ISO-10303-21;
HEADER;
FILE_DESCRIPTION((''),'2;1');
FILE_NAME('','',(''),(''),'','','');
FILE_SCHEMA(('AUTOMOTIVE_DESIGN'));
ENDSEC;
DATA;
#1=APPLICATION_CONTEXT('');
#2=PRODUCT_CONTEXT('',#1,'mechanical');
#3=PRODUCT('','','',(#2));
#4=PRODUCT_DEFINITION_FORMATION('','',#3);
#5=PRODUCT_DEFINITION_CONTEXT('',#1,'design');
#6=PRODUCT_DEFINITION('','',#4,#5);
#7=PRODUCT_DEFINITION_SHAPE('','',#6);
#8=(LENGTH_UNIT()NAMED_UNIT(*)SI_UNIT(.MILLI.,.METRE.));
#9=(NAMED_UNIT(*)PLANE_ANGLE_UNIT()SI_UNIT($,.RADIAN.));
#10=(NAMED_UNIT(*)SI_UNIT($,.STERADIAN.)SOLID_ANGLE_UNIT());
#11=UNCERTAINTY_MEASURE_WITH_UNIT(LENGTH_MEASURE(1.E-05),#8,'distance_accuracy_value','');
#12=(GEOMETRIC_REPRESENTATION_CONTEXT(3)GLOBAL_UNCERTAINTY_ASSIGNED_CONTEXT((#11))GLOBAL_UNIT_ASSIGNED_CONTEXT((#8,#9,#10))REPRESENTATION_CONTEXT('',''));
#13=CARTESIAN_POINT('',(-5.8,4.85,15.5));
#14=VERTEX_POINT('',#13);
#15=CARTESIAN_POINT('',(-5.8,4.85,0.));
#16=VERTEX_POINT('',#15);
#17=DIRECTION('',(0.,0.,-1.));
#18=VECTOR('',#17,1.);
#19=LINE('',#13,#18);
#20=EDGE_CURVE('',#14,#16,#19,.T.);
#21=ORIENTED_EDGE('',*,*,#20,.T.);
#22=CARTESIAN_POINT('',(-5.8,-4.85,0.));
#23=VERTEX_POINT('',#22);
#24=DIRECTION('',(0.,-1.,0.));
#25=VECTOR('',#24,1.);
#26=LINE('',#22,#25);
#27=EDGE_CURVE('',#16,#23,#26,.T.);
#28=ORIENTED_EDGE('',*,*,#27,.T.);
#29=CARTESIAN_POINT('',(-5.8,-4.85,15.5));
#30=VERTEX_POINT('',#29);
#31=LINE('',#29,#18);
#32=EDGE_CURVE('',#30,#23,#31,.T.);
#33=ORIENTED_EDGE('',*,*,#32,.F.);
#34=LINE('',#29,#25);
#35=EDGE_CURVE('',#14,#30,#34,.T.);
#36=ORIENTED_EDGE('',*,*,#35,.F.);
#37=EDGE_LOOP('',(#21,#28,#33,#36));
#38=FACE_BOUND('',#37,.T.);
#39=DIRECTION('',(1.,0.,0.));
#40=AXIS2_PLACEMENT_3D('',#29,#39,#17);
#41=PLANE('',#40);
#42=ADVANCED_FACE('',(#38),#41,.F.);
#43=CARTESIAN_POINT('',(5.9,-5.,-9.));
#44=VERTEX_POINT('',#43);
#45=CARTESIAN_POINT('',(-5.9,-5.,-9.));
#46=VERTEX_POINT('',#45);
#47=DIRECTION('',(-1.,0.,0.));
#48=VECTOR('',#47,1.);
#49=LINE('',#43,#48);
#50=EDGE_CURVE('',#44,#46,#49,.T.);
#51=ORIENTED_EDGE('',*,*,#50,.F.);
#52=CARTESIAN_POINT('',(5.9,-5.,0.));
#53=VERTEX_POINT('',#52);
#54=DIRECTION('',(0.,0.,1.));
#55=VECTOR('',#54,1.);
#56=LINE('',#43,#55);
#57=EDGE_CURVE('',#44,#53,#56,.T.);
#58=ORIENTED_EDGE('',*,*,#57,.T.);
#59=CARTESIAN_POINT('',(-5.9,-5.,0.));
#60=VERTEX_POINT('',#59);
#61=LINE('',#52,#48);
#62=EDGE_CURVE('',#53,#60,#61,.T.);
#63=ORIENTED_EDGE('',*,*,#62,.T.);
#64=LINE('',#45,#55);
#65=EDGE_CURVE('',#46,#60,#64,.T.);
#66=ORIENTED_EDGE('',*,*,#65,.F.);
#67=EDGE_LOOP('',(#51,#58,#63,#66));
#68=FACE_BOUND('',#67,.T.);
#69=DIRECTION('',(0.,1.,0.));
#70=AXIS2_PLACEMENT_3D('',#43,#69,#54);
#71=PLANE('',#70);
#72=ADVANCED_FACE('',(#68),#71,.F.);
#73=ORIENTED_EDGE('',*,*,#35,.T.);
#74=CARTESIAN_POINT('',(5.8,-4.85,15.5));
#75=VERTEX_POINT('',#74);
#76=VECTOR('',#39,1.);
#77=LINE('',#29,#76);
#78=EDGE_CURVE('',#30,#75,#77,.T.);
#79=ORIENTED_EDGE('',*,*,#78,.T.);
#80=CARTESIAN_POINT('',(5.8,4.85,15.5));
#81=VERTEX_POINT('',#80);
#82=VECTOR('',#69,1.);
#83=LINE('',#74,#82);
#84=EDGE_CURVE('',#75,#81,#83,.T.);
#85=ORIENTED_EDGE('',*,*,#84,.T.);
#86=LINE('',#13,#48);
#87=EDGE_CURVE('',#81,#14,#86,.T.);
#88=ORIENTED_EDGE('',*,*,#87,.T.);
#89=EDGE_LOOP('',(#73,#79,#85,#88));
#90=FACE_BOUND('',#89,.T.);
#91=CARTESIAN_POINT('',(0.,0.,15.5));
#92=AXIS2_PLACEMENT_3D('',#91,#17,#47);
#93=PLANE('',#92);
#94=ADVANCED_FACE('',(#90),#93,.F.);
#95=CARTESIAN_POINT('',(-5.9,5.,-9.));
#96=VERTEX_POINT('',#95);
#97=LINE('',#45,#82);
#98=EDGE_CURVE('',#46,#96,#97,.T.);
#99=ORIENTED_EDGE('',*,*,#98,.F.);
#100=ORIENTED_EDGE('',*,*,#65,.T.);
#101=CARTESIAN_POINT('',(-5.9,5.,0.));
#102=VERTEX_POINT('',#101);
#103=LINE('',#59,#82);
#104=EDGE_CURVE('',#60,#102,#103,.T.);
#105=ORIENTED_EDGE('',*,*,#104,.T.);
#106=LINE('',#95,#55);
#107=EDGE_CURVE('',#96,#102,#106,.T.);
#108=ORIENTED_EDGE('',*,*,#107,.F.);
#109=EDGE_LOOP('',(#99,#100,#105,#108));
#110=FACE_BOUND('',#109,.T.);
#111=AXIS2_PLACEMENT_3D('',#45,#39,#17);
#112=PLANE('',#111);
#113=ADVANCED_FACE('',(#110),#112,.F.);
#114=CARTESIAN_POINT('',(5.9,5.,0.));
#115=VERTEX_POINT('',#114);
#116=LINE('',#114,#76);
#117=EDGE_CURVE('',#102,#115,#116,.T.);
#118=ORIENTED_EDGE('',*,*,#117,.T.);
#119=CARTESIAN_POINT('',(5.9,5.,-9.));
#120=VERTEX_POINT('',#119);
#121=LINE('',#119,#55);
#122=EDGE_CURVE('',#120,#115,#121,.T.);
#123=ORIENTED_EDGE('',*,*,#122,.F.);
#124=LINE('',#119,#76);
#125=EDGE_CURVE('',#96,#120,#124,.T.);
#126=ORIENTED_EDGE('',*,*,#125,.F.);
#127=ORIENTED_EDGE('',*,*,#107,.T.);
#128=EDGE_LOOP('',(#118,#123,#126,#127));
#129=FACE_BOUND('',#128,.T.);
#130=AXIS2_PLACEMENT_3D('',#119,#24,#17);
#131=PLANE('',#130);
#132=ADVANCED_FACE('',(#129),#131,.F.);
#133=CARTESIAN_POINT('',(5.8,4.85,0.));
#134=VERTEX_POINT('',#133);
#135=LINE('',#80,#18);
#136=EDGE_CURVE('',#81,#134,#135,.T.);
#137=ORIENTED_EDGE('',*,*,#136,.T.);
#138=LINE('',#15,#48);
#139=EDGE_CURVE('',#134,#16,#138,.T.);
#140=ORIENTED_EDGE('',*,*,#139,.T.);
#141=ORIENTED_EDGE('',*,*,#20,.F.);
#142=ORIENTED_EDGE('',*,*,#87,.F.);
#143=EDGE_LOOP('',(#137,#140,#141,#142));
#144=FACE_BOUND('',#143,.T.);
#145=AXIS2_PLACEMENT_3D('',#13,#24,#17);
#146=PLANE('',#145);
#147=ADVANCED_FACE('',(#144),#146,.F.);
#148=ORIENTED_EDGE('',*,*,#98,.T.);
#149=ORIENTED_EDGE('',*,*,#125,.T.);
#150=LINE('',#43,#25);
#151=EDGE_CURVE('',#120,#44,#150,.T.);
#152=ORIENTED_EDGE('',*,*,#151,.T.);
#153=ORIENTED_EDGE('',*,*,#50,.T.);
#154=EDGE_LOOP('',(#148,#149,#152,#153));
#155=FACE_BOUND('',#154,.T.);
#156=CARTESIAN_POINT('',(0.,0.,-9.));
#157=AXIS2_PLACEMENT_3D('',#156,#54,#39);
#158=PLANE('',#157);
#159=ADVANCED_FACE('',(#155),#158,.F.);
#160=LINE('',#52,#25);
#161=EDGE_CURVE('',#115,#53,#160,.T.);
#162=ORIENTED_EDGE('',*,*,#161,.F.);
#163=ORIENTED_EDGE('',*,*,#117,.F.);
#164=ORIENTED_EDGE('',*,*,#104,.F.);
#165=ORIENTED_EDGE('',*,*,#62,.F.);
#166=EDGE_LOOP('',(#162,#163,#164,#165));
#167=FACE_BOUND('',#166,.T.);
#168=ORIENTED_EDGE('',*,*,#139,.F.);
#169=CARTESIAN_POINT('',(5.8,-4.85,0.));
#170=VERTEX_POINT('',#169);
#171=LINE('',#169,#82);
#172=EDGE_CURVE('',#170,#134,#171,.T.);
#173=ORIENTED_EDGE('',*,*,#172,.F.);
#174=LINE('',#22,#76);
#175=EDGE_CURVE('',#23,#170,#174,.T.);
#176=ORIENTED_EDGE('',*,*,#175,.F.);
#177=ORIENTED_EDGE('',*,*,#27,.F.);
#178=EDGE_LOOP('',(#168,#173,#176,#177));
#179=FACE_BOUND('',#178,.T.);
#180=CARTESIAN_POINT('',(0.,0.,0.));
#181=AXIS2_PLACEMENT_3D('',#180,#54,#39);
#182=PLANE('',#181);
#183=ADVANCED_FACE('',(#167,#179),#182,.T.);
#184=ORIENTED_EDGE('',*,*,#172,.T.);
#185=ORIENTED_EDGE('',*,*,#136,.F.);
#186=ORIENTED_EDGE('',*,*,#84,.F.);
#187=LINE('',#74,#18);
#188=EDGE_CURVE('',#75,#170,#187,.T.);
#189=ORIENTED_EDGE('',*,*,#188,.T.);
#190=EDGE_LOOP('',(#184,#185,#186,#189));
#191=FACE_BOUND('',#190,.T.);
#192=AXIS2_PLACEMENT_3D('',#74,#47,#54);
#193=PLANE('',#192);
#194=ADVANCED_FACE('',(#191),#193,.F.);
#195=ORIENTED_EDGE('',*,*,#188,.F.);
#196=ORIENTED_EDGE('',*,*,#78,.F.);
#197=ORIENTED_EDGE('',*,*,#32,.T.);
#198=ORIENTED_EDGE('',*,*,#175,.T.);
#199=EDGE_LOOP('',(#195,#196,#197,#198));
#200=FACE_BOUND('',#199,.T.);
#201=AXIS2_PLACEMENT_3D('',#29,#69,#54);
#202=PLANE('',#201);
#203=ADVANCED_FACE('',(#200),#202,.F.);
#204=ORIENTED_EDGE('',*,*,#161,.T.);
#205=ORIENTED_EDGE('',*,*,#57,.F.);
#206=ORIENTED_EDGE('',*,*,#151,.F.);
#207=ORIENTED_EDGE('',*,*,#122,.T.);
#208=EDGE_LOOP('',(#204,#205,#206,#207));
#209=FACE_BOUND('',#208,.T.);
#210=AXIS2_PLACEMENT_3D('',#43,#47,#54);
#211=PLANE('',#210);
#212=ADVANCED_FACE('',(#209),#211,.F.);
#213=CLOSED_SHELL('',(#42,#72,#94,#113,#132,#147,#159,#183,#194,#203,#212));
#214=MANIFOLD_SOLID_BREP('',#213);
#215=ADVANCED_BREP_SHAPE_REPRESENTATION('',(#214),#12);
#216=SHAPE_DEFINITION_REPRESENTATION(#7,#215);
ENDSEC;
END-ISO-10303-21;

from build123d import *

# Parameters (mm, degrees)
CROQUIS1_W              = 11.6
CROQUIS1_H              = 9.7
SALIENTE_EXTRUIR1_DEPTH = 15.5
CROQUIS2_W              = 11.8
CROQUIS2_H              = 10
SALIENTE_EXTRUIR2_DEPTH = 9


with BuildPart() as part:
    # Croquis1 → Saliente-Extruir1 (new body)
    with BuildSketch(Plane.XY):
        Rectangle(CROQUIS1_W, CROQUIS1_H)
    extrude(amount=SALIENTE_EXTRUIR1_DEPTH)

    # Croquis2 → Saliente-Extruir2 (add)
    with BuildSketch(Plane(origin=(0, 0, 0), x_dir=(-1, 0, 0), z_dir=(0, 0, -1))):
        Rectangle(CROQUIS2_W, CROQUIS2_H)
    extrude(amount=SALIENTE_EXTRUIR2_DEPTH)


solid = part.part
